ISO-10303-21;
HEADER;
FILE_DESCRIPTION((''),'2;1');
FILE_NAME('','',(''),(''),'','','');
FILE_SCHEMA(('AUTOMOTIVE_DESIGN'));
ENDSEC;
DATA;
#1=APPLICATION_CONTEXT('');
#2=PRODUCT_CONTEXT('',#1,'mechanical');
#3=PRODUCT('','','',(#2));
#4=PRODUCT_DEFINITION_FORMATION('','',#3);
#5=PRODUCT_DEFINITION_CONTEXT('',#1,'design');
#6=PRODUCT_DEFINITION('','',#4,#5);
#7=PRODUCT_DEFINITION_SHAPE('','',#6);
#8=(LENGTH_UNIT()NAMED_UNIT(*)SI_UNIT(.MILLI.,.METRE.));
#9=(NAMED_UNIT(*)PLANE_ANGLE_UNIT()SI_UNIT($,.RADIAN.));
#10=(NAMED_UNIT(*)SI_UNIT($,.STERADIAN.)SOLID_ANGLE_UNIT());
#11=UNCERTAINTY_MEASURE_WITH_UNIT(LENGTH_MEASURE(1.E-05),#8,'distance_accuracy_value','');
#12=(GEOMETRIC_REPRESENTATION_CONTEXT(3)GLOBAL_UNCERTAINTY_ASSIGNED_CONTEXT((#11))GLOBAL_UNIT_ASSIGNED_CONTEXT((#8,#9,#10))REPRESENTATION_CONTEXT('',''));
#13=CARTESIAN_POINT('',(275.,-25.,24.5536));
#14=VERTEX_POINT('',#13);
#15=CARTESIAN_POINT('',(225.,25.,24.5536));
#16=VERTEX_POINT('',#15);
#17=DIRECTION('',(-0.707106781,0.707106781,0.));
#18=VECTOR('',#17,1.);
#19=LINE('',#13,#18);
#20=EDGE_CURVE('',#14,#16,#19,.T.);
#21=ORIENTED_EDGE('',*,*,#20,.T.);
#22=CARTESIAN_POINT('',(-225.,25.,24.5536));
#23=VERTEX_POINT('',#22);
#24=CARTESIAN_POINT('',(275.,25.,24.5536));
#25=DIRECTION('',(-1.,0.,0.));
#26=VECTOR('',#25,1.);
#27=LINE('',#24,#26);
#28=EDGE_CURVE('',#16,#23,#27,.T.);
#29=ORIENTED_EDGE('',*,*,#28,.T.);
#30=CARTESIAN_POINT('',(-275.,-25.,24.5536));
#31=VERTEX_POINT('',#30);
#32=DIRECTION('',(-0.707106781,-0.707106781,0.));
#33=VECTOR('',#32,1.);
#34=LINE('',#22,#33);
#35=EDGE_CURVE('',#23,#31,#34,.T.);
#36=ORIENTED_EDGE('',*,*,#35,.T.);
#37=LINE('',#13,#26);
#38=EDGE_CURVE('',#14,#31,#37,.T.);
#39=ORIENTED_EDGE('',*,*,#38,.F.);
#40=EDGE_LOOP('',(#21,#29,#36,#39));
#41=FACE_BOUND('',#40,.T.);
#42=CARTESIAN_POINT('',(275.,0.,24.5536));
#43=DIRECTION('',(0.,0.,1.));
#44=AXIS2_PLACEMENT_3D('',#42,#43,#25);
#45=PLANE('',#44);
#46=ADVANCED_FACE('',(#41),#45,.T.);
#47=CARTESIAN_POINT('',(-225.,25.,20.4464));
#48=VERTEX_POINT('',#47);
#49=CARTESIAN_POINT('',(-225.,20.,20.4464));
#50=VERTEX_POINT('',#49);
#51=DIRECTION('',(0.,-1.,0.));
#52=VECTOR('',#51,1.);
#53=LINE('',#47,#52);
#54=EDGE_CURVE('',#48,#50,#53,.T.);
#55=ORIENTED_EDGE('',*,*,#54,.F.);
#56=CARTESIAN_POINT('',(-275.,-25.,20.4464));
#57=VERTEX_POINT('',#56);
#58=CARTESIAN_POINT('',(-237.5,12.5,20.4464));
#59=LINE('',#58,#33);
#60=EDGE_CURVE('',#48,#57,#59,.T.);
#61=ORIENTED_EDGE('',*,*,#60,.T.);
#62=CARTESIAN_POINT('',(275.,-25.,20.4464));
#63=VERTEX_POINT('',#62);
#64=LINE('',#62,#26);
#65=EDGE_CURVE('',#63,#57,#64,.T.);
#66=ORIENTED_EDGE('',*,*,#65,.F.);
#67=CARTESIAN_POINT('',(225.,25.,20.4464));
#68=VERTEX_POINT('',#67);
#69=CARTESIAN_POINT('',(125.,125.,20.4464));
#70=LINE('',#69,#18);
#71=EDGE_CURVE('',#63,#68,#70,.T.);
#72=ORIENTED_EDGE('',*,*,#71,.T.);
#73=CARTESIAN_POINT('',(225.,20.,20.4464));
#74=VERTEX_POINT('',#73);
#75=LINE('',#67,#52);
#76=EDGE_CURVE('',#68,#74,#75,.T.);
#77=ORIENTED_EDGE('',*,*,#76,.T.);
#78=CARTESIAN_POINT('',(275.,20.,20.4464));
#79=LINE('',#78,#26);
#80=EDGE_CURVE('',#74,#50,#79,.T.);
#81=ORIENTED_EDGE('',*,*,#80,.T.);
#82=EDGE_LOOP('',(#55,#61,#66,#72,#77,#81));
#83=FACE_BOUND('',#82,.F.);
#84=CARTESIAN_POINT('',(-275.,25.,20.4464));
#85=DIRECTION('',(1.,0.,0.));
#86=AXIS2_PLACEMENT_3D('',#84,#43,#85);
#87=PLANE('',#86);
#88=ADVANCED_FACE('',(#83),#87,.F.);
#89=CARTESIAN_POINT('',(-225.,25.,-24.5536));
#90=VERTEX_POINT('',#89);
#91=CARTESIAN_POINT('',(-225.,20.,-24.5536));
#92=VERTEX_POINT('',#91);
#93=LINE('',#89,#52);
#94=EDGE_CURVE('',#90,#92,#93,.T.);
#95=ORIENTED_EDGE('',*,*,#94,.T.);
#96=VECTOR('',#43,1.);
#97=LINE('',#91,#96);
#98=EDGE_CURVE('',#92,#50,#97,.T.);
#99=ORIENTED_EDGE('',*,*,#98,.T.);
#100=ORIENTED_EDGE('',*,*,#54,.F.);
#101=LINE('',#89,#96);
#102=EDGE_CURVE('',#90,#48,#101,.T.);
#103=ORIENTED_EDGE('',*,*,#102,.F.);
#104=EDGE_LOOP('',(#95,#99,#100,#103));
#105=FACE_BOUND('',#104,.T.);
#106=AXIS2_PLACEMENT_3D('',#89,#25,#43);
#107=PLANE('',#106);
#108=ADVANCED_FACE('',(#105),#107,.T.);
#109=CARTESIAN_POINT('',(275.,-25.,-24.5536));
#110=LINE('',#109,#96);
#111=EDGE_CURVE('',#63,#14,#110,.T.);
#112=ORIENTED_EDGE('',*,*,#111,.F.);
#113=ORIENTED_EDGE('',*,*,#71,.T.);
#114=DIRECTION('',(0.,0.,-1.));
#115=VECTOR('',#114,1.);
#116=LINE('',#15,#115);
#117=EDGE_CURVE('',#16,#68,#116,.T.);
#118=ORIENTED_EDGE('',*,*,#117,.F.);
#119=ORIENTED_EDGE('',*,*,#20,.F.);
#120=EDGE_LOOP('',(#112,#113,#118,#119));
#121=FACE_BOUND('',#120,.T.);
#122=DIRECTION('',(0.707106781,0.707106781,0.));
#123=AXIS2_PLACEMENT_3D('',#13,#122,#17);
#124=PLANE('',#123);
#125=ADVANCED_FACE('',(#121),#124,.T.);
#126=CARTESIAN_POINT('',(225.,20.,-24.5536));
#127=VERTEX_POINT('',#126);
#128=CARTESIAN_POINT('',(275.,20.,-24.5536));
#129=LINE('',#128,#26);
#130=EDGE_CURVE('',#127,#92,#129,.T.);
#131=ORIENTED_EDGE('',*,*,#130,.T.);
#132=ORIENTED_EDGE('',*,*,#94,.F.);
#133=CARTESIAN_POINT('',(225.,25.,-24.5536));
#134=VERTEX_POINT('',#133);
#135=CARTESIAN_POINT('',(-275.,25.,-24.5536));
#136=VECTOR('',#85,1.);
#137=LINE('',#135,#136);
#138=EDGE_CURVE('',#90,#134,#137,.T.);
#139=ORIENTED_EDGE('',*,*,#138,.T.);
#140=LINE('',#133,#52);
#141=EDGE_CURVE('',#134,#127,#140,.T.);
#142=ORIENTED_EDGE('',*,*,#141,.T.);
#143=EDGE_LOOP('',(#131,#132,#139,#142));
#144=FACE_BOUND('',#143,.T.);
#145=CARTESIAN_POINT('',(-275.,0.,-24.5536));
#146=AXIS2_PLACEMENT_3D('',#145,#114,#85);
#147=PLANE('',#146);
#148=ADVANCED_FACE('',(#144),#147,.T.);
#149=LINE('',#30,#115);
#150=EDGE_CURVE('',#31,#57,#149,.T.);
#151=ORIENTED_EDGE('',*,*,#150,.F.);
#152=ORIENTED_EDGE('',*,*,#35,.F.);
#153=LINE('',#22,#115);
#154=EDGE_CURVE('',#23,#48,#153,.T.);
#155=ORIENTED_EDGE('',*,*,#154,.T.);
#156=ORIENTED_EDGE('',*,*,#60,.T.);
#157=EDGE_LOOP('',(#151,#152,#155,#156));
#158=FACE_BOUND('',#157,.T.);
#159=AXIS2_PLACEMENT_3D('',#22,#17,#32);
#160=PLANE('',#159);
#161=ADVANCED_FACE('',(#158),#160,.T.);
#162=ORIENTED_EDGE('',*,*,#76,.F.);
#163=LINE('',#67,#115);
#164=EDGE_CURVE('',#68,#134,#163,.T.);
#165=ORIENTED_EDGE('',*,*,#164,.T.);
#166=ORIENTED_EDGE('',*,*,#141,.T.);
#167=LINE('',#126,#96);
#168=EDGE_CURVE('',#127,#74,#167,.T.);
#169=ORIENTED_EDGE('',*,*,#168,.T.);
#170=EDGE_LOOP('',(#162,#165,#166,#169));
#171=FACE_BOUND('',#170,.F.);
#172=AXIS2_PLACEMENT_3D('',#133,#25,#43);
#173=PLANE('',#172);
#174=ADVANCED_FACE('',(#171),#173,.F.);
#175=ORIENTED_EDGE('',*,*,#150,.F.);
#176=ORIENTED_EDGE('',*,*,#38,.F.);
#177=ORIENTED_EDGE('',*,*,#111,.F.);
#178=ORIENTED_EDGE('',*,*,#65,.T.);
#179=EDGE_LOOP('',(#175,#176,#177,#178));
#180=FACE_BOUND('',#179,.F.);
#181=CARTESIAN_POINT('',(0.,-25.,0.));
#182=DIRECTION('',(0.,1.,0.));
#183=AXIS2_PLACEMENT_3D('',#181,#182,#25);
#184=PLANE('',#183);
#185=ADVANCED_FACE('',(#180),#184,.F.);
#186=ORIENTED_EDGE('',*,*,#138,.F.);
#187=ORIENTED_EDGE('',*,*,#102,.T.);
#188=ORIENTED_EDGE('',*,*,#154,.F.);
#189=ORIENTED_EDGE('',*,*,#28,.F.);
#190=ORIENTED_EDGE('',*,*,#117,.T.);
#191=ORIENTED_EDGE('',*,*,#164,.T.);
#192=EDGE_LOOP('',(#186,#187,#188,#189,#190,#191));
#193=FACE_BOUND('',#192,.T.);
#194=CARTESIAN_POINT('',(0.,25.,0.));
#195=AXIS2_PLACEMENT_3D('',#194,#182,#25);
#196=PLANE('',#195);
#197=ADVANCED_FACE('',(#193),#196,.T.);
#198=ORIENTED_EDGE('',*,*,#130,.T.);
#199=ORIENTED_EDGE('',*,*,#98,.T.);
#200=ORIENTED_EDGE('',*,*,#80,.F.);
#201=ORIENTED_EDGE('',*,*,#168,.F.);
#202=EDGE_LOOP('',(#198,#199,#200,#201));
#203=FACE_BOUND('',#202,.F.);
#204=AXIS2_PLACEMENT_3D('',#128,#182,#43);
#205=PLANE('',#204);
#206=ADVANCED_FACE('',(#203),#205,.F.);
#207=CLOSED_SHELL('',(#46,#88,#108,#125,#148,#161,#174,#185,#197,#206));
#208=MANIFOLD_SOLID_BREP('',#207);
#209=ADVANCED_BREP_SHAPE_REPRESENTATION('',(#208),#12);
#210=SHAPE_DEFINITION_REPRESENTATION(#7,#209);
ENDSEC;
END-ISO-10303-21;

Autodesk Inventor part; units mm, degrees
ref_plane "YZ Plane" through (0, 0, 0) normal (1, 0, 0) x (0, 1, 0)
ref_plane "XZ Plane" through (0, 0, 0) normal (0, 1, 0) x (-1, 0, 0)
ref_plane "XY Plane" through (0, 0, 0) normal (0, 0, 1) x (1, 0, 0)
sketch "Sketch1" plane through (0, 0, 0) normal (0, 1, 0) x (-1, 0, 0)
  line L0 (-275, 24.5536) -> (275, 24.5536)
  line L1 (275, 24.5536) -> (275, -24.5536)
  line L2 (275, -24.5536) -> (-275, -24.5536)
  line L3 (-275, -24.5536) -> (-275, 24.5536)
  point P0 (0, 0)
  dimension "d14" = 550
extrude "Extrusion1" add sketch "Sketch1" along normal mid plane 50
sketch "Sketch2" plane through (275, -25, -24.5536) normal (1, 0, 0) x (0, 0, -1)
  line L0 (0, 0) -> (0, 50) projected
  line L1 (0, 45) -> (-45, 45)
  line L2 (-45, 45) -> (-45, 0)
  line L3 (-49.1071, 0) -> (0, 0) projected
  line L4 (-45, 0) -> (0, 0)
  line L5 (0, 0) -> (0, 45)
  point P0 (-24.5536, 25)
extrude "Extrusion2" cut sketch "Sketch2" against normal through all
sketch "Sketch5" plane through (0, 25, 0) normal (0, 1, 0) x (1, 0, 0)
  line L0 (-275, 24.5536) -> (-275, -24.5536) projected
  line L1 (-275, 24.5536) -> (-225, 24.5536)
  line L2 (275, 24.5536) -> (-275, 24.5536) projected
  line L3 (-225, 24.5536) -> (-225, -20.4464)
  line L4 (-275, -20.4464) -> (275, -20.4464) projected
  line L5 (-225, -20.4464) -> (-275, -20.4464)
  line L6 (-275, -20.4464) -> (-275, 24.5536)
  line L7 (275, -24.5536) -> (275, 24.5536) projected
  line L8 (275, 24.5536) -> (225, 24.5536)
  line L9 (225, 24.5536) -> (225, -20.4464)
  line L10 (225, -20.4464) -> (275, -20.4464)
  line L11 (275, -20.4464) -> (275, 24.5536)
  point P0 (0, 0)
extrude "Extrusion5" cut sketch "Sketch5" against normal blind 10 contours L1 L3 L4 L0 | L2 L7 L4 L9
sketch "Sketch6" plane through (-275, 25, 24.5536) normal (0, 0, 1) x (1, 0, 0)
  line L0 (50, 0) -> (0, 0) projected
  line L1 (550, -50) -> (0, -50) projected
  line L2 (50, 0) -> (0, -50)
  line L3 (0, -50) -> (0, 0)
  line L4 (0, 0) -> (50, 0)
  line L5 (0, 0) -> (550, 0) projected
  line L6 (500, 0) -> (550, 0)
  line L7 (550, 0) -> (550, -50)
  line L8 (550, -50) -> (500, 0)
  point P0 (275, -25)
extrude "Extrusion6" cut sketch "Sketch6" against normal blind 5 contours L2 L3 L0 | L5 L7 L8
properties part number "angle1"
